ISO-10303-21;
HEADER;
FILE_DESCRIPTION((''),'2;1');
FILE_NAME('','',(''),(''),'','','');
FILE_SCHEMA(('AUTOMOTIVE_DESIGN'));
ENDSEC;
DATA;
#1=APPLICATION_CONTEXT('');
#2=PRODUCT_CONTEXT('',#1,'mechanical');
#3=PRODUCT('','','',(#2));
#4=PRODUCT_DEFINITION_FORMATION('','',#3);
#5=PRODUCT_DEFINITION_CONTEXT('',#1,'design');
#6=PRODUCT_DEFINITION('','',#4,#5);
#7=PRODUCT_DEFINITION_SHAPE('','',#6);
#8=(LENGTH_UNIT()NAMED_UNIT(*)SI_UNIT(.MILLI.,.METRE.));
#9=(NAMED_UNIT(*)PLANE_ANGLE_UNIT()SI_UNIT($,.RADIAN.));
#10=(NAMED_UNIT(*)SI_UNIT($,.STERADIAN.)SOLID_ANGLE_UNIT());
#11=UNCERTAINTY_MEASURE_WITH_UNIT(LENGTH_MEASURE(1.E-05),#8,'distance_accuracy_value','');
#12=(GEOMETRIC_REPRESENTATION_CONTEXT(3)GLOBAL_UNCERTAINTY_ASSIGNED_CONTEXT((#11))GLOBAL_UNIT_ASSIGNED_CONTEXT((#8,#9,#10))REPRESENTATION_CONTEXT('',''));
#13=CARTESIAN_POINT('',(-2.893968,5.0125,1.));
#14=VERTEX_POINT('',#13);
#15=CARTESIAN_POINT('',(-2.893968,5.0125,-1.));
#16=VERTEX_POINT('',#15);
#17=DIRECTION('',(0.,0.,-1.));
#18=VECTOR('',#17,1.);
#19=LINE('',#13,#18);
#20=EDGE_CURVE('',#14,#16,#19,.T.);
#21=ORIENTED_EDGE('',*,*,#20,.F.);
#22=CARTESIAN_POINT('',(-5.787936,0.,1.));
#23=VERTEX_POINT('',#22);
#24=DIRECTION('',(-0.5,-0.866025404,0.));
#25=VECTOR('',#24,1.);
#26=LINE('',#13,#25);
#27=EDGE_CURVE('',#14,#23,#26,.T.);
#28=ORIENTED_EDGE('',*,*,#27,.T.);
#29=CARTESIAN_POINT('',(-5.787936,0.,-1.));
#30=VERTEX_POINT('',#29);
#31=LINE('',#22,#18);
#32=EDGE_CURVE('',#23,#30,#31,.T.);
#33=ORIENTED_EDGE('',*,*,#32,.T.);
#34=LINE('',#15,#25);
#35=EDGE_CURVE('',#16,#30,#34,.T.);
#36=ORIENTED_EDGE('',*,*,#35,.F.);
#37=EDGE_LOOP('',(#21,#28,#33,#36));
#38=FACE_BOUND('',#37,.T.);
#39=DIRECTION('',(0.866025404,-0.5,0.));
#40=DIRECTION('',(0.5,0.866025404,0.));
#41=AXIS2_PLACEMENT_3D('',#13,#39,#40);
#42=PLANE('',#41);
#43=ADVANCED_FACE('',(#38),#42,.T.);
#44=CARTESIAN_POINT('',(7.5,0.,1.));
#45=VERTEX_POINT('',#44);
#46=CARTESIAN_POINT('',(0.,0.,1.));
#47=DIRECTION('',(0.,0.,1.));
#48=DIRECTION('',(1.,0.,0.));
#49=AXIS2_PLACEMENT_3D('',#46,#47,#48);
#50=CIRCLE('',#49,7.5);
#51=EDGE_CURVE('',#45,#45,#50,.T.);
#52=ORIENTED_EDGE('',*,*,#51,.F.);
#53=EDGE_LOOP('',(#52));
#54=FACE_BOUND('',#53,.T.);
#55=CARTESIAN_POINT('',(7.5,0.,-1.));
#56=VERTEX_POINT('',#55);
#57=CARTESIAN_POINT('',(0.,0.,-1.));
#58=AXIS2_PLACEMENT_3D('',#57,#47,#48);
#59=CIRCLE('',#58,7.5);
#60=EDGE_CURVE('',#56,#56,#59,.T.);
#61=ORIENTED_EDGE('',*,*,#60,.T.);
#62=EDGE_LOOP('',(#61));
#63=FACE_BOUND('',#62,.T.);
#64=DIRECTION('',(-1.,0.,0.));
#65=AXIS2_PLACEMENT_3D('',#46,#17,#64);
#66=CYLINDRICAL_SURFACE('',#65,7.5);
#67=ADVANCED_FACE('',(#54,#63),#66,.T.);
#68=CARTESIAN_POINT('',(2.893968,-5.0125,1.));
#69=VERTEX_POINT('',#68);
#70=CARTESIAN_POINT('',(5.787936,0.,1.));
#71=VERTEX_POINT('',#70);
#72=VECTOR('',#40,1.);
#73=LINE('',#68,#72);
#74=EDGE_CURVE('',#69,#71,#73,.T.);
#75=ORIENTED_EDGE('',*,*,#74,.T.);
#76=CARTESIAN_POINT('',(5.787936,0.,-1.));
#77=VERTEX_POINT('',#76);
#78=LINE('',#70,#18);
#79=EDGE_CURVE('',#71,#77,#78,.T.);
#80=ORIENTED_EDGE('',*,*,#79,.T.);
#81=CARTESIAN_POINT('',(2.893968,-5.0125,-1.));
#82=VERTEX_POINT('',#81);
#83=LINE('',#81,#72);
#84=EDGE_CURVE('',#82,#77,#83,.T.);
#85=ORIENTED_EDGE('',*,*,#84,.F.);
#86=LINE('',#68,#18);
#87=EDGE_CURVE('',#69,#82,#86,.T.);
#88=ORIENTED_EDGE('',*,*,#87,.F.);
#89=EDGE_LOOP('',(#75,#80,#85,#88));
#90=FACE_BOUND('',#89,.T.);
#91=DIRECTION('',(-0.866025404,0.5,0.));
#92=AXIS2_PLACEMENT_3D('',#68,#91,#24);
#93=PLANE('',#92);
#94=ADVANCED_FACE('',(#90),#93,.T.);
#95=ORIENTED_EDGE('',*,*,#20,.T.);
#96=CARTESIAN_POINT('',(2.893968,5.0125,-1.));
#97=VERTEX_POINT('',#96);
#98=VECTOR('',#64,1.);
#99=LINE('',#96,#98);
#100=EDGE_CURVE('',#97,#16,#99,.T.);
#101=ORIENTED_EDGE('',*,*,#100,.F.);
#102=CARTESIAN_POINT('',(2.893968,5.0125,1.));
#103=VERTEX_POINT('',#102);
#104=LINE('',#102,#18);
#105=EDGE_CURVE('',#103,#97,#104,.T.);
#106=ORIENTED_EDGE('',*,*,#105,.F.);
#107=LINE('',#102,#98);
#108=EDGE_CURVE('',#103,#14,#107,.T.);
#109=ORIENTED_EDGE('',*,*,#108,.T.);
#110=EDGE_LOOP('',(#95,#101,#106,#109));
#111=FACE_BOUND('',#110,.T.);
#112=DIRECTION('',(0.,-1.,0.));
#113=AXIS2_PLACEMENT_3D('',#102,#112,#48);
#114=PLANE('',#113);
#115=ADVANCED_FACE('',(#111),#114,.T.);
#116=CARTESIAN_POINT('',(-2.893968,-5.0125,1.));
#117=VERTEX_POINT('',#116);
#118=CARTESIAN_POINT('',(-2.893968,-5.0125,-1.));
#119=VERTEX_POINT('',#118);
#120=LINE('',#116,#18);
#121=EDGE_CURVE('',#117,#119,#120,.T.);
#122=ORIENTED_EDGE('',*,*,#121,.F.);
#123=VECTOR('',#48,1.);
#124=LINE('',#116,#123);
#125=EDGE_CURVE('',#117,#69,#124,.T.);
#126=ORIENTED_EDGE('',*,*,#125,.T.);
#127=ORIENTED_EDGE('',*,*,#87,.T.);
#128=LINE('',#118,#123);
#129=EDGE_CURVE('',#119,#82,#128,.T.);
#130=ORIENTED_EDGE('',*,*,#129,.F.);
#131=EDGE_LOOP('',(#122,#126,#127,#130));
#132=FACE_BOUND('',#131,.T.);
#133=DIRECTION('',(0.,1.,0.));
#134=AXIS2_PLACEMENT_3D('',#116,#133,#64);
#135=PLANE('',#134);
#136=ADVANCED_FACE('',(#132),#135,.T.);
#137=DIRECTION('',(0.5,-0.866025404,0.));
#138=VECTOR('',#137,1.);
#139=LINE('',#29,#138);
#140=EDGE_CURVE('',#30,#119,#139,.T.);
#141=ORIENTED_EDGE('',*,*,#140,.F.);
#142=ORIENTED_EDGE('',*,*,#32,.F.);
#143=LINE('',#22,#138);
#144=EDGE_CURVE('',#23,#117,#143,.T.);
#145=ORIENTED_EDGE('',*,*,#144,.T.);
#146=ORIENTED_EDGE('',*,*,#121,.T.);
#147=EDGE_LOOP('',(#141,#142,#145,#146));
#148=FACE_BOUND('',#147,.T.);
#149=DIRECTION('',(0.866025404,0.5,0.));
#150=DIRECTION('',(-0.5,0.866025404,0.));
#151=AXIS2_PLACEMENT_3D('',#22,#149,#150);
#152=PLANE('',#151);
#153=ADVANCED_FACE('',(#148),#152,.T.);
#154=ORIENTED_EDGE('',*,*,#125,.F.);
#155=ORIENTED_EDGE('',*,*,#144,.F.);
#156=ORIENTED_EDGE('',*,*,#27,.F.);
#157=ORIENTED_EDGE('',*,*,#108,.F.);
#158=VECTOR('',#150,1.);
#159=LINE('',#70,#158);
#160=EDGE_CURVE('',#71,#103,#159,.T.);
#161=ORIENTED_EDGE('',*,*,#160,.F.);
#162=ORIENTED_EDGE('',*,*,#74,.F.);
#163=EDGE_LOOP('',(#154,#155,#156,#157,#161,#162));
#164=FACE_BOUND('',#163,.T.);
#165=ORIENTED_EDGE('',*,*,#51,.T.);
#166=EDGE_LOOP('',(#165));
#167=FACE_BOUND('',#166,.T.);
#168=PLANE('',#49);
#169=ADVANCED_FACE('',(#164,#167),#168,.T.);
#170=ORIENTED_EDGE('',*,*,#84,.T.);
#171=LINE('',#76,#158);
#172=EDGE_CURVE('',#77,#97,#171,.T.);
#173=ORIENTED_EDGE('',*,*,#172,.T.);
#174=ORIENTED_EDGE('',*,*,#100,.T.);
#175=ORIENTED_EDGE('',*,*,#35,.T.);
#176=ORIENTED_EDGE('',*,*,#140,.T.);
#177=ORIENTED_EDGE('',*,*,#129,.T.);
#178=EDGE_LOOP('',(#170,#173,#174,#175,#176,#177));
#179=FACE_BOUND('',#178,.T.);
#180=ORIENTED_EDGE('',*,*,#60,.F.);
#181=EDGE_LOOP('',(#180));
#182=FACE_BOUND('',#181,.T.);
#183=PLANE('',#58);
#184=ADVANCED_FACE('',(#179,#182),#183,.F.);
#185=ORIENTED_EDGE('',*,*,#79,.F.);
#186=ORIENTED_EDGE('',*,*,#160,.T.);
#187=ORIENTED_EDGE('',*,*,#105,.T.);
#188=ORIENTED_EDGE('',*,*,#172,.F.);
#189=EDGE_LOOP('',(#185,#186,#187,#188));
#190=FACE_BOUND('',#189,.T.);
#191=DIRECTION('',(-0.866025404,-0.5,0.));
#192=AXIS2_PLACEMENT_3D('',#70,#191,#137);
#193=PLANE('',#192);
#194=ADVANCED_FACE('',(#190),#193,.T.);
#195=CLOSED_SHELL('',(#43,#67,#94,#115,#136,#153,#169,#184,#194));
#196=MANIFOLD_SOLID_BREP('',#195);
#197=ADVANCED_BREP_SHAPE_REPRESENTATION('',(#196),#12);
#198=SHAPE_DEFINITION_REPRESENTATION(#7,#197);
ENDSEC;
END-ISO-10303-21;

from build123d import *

# Parameters (mm, degrees)
SKETCH1_R           = 7.5
BOSS_EXTRUDE1_DEPTH = 1


with BuildPart() as part:
    # Sketch1 → Boss-Extrude1 (new, symmetric)
    with BuildSketch(Plane.XY):
        Circle(SKETCH1_R)
        Polygon((5.787936449, 0), (2.893968224, 5.0125), (-2.893968224, 5.0125), (-5.787936449, 0), (-2.893968224, -5.0125), (2.893968224, -5.0125), align=None, mode=Mode.SUBTRACT)
    extrude(amount=BOSS_EXTRUDE1_DEPTH, both=True)


solid = part.part
